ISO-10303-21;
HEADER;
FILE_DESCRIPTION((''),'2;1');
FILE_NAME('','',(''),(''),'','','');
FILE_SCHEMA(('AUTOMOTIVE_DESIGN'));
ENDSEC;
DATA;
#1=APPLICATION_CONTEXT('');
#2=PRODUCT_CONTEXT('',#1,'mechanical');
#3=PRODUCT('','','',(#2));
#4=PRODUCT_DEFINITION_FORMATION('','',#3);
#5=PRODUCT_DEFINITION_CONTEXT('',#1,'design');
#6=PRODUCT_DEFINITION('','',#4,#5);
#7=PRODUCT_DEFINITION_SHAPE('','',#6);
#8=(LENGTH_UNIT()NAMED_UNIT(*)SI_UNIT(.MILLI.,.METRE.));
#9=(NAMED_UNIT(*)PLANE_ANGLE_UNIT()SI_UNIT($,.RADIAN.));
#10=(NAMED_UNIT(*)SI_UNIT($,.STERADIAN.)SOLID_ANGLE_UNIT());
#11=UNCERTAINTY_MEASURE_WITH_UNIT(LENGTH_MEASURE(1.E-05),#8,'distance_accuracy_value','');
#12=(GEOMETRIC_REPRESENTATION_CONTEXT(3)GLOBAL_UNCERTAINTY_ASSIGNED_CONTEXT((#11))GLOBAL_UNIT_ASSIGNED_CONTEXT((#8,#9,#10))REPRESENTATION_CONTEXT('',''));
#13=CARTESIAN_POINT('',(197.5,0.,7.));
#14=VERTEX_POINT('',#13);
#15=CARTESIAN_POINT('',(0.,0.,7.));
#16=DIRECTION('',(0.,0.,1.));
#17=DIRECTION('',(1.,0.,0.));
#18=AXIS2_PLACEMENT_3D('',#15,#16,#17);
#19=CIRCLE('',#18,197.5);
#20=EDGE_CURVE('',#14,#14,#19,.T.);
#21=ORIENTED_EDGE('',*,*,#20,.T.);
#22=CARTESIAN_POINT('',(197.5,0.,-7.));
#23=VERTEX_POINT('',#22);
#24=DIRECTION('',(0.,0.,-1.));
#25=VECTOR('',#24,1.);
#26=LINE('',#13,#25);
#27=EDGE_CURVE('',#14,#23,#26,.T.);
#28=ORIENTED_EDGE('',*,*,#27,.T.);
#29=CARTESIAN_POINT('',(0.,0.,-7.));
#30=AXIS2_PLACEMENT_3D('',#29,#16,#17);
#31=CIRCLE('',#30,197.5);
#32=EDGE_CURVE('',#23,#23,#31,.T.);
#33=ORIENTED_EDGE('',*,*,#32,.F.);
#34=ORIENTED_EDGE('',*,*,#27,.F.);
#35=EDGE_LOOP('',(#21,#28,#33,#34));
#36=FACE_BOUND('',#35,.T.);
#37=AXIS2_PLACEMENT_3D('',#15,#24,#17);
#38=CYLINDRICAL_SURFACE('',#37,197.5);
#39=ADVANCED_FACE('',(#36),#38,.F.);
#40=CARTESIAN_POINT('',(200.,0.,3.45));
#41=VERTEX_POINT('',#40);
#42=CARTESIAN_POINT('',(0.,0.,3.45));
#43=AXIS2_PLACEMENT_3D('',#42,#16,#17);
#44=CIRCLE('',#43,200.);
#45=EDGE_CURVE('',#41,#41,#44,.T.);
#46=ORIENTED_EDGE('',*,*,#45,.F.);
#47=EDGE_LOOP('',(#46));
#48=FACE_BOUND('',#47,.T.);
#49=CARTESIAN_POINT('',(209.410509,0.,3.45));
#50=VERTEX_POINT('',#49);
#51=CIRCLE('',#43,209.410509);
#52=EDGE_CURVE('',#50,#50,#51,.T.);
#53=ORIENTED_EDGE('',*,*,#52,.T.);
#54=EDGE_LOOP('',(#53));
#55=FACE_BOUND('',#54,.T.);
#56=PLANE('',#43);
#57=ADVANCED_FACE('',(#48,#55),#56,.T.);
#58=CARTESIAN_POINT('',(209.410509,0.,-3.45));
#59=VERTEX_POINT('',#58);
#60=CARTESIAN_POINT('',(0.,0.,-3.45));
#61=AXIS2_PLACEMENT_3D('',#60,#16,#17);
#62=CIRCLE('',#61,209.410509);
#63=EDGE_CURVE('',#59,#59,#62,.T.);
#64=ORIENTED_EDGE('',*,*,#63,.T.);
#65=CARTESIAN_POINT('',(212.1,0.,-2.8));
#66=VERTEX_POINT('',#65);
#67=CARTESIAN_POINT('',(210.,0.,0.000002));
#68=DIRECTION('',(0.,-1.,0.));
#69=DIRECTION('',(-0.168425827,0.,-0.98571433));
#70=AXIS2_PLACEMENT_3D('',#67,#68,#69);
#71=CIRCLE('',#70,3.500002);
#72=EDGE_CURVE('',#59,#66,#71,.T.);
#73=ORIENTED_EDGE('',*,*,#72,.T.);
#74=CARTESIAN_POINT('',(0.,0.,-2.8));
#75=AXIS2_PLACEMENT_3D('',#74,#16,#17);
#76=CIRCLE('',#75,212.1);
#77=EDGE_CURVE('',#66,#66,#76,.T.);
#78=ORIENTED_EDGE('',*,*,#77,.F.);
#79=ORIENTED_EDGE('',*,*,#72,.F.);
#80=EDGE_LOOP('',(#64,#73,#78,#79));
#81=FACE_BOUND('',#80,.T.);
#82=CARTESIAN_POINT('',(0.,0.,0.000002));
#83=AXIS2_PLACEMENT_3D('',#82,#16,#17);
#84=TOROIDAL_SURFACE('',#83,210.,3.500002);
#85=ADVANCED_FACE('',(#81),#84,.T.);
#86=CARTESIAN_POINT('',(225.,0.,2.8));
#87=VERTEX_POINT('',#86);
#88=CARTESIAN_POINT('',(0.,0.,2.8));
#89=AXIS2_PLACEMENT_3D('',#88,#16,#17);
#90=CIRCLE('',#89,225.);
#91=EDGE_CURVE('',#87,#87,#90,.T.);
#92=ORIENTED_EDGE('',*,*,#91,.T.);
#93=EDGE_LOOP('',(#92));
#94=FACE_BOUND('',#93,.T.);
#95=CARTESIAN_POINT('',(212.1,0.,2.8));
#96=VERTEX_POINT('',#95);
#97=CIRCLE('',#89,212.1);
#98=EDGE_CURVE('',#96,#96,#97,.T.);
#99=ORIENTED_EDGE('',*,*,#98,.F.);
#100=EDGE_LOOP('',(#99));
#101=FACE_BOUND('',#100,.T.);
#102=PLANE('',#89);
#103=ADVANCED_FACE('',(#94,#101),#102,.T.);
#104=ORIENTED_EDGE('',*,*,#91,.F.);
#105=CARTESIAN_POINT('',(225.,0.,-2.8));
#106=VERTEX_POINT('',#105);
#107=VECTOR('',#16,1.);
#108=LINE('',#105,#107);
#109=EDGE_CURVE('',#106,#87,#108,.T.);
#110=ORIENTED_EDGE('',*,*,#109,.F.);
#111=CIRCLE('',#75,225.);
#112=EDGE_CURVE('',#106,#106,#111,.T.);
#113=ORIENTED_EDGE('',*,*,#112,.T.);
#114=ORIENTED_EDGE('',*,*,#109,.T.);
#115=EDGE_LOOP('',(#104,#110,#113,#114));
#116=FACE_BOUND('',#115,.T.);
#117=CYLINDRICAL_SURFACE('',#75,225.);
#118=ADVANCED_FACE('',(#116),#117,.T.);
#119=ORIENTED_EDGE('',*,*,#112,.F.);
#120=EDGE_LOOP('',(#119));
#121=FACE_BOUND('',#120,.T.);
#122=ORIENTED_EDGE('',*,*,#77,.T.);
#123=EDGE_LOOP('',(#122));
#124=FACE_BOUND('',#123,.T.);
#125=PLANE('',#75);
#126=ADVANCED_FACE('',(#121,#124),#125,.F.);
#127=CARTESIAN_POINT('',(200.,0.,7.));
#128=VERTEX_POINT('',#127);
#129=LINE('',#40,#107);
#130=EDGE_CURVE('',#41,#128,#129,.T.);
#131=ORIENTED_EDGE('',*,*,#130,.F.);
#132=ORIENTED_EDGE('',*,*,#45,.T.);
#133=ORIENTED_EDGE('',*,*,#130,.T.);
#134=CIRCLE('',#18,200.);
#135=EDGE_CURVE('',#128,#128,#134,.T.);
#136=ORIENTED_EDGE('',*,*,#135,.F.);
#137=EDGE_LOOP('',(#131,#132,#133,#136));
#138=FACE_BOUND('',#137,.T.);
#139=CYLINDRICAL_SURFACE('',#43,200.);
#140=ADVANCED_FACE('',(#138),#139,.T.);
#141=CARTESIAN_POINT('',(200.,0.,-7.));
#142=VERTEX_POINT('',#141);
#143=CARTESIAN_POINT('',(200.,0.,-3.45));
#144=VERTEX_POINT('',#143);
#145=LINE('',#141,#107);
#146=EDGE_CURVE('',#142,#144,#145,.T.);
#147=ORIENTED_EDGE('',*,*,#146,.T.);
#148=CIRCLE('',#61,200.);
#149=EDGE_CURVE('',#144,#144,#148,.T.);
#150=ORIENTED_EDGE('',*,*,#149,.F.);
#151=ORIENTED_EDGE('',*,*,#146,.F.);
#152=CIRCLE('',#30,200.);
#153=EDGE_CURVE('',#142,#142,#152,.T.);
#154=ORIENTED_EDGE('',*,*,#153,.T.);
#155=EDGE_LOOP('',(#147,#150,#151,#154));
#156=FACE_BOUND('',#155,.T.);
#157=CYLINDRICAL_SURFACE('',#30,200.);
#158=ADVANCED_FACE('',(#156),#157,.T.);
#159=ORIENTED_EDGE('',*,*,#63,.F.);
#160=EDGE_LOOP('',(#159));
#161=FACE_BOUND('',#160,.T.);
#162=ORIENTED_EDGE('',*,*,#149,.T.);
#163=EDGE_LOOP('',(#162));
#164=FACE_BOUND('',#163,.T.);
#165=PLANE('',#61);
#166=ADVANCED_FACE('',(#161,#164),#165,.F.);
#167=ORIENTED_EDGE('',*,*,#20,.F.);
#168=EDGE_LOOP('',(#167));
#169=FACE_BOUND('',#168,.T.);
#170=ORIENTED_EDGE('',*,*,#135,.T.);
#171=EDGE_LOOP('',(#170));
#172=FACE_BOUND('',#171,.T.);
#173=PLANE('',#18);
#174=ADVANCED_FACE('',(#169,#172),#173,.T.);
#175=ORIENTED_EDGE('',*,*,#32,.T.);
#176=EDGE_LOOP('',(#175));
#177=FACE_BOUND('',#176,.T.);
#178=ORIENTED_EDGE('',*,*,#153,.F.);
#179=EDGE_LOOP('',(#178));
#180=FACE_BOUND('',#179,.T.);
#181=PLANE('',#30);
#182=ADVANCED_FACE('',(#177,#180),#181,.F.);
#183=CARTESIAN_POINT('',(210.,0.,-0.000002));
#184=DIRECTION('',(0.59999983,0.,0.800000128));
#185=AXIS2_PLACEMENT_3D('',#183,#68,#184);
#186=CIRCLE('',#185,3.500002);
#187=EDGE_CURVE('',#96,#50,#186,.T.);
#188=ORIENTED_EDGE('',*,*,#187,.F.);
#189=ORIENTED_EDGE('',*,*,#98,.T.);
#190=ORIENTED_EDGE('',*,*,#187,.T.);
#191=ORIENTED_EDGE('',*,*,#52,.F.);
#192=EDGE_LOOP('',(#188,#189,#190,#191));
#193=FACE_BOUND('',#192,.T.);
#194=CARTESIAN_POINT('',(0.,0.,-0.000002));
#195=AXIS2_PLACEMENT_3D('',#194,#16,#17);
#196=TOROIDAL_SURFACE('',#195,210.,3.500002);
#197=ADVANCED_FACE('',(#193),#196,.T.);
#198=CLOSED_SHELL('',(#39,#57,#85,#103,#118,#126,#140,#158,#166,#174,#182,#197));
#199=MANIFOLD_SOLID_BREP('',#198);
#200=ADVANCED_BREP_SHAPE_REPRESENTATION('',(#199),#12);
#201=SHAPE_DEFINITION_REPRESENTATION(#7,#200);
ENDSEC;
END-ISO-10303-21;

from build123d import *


with BuildPart() as f2:
    # F0 (on Front) → F2 (revolve)
    with BuildSketch(Plane.XZ):
        with BuildLine():
            Line((197.5, 7), (197.5, -7))
            Line((197.5, -7), (200, -7))
            Line((200, -7), (200, -3.45))
            Line((200, -3.45), (209.410509, -3.45))
            ThreePointArc((209.410509, -3.45), (210.822213, -3.402053), (212.1, -2.8))
            Line((212.1, -2.8), (225, -2.8))
            Line((225, -2.8), (225, 2.8))
            Line((225, 2.8), (212.1, 2.8))
            ThreePointArc((212.1, 2.8), (210.822213, 3.402053), (209.410509, 3.45))
            Line((209.410509, 3.45), (200, 3.45))
            Line((200, 3.45), (200, 7))
            Line((200, 7), (197.5, 7))
        make_face()
    revolve(axis=Axis((0, 0, 29.163605), (0, 0, 1)))


solid = f2.part
